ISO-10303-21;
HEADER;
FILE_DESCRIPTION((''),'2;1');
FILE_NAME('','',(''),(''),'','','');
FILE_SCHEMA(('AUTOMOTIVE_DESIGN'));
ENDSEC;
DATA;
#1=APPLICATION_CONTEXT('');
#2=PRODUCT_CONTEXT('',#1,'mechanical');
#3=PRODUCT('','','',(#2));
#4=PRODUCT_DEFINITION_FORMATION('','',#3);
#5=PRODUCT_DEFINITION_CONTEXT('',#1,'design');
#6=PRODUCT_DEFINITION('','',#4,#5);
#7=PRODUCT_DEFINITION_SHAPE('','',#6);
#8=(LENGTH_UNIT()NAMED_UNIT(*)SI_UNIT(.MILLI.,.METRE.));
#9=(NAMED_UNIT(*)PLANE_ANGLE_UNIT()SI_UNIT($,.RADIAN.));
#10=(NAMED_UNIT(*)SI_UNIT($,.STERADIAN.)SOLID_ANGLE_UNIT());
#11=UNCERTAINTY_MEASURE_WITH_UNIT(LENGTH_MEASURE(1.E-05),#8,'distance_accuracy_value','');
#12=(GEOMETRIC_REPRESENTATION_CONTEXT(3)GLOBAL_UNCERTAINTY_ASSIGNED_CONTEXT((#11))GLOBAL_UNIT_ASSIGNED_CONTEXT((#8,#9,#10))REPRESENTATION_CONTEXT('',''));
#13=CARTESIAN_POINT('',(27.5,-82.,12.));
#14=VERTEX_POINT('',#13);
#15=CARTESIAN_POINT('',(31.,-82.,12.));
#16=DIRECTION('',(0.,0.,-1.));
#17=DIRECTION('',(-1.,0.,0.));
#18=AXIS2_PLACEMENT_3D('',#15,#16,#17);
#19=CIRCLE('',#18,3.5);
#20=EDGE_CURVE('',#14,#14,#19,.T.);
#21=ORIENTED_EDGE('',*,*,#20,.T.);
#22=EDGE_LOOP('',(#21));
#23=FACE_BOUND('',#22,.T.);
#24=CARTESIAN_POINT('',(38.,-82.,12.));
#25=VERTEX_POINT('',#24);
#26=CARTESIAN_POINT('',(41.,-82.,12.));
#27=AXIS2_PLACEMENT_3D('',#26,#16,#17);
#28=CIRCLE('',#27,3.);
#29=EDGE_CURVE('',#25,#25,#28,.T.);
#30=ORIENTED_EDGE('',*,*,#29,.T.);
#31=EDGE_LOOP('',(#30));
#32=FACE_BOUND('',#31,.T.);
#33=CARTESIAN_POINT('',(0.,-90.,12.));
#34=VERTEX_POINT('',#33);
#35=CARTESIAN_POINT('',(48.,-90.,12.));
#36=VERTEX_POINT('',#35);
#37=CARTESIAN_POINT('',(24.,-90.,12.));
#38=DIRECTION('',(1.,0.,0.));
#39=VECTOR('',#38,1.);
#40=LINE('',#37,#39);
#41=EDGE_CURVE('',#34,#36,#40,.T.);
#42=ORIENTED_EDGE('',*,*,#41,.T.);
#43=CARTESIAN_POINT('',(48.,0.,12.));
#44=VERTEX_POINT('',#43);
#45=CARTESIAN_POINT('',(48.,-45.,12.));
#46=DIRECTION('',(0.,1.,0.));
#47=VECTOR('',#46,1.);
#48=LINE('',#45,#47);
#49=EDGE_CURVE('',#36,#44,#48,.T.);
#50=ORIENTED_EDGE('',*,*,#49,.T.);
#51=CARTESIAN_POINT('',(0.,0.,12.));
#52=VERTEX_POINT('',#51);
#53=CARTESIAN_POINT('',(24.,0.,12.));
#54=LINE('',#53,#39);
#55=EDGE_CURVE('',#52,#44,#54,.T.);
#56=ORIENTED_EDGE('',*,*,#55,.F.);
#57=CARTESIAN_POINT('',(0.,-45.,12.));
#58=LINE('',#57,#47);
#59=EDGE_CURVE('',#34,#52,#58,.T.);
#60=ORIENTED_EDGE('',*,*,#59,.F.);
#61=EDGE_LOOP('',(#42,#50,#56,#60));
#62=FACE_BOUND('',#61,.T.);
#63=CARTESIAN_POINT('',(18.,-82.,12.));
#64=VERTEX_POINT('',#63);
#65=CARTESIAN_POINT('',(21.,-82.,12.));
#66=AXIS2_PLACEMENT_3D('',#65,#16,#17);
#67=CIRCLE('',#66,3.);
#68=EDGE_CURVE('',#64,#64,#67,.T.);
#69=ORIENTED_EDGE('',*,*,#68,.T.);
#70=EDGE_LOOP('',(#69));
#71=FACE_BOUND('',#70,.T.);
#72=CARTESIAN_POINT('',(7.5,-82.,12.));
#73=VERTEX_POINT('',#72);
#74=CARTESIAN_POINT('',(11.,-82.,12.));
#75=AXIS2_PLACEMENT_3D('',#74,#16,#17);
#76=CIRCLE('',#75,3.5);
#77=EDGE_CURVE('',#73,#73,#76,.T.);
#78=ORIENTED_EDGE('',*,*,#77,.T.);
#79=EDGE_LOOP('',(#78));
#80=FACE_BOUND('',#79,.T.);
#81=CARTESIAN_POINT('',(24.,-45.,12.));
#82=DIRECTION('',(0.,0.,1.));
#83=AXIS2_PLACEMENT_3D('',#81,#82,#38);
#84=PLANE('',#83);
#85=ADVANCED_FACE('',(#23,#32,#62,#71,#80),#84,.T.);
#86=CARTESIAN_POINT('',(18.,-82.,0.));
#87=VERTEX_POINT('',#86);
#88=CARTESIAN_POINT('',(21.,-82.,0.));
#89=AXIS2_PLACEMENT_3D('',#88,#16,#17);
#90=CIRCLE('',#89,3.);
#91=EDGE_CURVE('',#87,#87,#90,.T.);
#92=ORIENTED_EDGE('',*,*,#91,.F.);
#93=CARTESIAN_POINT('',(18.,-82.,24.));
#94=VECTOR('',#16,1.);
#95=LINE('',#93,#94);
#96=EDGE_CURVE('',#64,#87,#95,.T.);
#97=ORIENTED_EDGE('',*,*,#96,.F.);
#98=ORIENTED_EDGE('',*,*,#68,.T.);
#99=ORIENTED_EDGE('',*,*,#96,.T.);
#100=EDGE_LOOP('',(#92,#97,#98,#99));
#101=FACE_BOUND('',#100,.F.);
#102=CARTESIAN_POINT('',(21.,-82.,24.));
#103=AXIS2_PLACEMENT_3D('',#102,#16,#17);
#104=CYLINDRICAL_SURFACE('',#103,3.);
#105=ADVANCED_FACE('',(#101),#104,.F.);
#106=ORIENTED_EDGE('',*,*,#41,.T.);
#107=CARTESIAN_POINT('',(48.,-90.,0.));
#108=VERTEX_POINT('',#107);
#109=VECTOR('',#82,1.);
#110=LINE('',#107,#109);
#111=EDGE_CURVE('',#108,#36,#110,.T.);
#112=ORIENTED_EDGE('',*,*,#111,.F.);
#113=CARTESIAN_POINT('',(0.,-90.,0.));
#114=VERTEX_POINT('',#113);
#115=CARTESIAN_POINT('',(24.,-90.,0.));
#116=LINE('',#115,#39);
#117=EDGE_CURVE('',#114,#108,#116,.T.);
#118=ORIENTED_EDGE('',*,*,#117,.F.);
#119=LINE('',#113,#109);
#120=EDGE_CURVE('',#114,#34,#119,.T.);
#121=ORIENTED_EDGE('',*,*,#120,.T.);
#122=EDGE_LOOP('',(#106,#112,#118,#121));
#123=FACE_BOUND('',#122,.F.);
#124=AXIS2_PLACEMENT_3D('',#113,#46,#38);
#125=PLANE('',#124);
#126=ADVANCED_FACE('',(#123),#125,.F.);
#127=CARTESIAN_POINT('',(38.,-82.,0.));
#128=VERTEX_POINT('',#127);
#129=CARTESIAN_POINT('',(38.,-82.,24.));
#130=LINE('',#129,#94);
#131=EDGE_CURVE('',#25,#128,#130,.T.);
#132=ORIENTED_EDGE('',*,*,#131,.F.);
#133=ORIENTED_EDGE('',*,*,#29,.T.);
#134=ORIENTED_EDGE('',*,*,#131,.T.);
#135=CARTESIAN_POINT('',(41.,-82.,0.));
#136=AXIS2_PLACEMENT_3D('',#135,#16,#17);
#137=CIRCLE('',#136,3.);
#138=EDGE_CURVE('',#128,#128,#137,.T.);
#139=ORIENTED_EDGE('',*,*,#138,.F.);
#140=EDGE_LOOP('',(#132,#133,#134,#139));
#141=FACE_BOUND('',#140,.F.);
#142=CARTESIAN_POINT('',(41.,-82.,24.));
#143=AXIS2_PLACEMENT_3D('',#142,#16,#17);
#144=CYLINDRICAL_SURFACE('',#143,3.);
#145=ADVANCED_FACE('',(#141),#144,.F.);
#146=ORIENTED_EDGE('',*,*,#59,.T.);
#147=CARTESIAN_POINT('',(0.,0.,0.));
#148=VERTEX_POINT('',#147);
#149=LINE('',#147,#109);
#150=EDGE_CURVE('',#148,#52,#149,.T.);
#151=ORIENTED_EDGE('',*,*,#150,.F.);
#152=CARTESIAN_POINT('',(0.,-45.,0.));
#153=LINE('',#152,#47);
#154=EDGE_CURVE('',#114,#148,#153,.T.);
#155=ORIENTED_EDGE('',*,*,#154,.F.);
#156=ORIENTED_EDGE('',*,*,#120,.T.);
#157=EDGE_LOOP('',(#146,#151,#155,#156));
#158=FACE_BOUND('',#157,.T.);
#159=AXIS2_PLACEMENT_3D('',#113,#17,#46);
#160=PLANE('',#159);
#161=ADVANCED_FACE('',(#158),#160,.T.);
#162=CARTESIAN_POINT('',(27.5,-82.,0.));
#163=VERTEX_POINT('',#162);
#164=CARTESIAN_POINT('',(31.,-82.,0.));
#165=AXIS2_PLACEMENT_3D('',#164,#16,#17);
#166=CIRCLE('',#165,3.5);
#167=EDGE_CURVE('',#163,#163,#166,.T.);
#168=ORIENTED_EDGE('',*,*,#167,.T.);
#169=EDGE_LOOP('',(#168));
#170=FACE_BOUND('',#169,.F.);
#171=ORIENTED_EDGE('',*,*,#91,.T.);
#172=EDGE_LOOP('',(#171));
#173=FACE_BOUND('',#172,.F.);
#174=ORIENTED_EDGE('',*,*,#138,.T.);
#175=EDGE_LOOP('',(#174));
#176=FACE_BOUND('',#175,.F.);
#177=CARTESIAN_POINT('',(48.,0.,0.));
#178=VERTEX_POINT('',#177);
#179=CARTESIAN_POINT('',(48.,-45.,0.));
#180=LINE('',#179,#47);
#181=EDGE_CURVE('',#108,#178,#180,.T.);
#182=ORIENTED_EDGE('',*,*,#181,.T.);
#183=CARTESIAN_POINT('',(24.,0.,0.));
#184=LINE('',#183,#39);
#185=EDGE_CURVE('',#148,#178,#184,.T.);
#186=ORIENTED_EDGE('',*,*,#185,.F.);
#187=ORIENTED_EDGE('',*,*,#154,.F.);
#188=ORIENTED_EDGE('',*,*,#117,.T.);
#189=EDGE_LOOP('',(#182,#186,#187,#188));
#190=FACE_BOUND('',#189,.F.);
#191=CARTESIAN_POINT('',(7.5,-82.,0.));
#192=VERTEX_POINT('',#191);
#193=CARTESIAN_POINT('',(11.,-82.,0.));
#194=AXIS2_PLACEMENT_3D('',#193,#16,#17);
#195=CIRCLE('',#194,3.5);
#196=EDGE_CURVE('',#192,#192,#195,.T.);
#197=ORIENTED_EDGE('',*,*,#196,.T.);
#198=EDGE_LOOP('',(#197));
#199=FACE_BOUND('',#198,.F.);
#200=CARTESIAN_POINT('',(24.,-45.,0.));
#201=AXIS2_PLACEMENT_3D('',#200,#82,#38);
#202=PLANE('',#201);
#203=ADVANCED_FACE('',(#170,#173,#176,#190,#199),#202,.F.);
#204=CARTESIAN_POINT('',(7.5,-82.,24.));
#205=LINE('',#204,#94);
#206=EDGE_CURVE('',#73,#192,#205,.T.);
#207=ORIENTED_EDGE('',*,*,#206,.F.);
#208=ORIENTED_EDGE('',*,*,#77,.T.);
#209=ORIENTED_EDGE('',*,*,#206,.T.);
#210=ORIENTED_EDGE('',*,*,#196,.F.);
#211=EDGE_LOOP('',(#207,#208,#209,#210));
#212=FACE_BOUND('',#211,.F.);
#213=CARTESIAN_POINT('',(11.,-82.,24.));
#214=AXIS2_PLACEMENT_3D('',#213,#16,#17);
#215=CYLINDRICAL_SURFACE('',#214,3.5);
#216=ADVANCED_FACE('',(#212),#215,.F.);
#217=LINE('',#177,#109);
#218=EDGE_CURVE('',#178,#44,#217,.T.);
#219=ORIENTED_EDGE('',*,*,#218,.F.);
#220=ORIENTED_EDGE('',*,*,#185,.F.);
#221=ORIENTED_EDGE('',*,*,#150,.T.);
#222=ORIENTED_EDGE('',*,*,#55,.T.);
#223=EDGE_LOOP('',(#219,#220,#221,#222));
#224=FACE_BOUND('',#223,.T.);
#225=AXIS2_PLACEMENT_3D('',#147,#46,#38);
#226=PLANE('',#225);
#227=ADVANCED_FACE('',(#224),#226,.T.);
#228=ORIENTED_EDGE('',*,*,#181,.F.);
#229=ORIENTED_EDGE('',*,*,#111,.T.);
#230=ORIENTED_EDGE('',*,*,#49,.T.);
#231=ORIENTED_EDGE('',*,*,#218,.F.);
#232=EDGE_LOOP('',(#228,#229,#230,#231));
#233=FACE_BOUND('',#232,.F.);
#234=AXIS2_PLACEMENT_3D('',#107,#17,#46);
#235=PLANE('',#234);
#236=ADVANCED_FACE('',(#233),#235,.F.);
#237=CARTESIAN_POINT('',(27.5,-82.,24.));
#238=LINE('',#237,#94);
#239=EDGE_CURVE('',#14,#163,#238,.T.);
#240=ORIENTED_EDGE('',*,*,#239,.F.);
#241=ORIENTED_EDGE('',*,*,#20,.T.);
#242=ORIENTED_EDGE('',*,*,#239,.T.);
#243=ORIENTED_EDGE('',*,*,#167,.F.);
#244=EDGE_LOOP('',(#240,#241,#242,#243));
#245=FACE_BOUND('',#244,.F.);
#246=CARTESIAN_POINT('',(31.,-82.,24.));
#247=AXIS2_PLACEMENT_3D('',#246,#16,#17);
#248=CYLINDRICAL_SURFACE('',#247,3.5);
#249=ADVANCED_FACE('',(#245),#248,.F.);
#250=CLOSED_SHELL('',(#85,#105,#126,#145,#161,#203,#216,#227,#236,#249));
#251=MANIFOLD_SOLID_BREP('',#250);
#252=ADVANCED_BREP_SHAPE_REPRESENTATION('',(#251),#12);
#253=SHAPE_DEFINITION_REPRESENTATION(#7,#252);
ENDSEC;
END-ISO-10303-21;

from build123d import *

# Parameters (mm, degrees)
F0_W     = 48
F0_H     = 90
F1_DEPTH = 12
F3_D     = 7
F3_DEPTH = 12
F4_D     = 6
F4_DEPTH = 12


with BuildPart() as f1:
    # F0 (on Top) → F1 (new body)
    with BuildSketch(Plane.XY):
        with Locations((24, -45)):
            Rectangle(F0_W, F0_H)
    extrude(amount=F1_DEPTH)

    # F3
    with Locations(Plane.XY.offset(12)):
        with Locations((11, -82), (31, -82)):
            Hole(F3_D / 2, depth=F3_DEPTH)

    # F4
    with Locations(Plane.XY.offset(12)):
        with Locations((21, -82), (41, -82)):
            Hole(F4_D / 2, depth=F4_DEPTH)


solid = f1.part
